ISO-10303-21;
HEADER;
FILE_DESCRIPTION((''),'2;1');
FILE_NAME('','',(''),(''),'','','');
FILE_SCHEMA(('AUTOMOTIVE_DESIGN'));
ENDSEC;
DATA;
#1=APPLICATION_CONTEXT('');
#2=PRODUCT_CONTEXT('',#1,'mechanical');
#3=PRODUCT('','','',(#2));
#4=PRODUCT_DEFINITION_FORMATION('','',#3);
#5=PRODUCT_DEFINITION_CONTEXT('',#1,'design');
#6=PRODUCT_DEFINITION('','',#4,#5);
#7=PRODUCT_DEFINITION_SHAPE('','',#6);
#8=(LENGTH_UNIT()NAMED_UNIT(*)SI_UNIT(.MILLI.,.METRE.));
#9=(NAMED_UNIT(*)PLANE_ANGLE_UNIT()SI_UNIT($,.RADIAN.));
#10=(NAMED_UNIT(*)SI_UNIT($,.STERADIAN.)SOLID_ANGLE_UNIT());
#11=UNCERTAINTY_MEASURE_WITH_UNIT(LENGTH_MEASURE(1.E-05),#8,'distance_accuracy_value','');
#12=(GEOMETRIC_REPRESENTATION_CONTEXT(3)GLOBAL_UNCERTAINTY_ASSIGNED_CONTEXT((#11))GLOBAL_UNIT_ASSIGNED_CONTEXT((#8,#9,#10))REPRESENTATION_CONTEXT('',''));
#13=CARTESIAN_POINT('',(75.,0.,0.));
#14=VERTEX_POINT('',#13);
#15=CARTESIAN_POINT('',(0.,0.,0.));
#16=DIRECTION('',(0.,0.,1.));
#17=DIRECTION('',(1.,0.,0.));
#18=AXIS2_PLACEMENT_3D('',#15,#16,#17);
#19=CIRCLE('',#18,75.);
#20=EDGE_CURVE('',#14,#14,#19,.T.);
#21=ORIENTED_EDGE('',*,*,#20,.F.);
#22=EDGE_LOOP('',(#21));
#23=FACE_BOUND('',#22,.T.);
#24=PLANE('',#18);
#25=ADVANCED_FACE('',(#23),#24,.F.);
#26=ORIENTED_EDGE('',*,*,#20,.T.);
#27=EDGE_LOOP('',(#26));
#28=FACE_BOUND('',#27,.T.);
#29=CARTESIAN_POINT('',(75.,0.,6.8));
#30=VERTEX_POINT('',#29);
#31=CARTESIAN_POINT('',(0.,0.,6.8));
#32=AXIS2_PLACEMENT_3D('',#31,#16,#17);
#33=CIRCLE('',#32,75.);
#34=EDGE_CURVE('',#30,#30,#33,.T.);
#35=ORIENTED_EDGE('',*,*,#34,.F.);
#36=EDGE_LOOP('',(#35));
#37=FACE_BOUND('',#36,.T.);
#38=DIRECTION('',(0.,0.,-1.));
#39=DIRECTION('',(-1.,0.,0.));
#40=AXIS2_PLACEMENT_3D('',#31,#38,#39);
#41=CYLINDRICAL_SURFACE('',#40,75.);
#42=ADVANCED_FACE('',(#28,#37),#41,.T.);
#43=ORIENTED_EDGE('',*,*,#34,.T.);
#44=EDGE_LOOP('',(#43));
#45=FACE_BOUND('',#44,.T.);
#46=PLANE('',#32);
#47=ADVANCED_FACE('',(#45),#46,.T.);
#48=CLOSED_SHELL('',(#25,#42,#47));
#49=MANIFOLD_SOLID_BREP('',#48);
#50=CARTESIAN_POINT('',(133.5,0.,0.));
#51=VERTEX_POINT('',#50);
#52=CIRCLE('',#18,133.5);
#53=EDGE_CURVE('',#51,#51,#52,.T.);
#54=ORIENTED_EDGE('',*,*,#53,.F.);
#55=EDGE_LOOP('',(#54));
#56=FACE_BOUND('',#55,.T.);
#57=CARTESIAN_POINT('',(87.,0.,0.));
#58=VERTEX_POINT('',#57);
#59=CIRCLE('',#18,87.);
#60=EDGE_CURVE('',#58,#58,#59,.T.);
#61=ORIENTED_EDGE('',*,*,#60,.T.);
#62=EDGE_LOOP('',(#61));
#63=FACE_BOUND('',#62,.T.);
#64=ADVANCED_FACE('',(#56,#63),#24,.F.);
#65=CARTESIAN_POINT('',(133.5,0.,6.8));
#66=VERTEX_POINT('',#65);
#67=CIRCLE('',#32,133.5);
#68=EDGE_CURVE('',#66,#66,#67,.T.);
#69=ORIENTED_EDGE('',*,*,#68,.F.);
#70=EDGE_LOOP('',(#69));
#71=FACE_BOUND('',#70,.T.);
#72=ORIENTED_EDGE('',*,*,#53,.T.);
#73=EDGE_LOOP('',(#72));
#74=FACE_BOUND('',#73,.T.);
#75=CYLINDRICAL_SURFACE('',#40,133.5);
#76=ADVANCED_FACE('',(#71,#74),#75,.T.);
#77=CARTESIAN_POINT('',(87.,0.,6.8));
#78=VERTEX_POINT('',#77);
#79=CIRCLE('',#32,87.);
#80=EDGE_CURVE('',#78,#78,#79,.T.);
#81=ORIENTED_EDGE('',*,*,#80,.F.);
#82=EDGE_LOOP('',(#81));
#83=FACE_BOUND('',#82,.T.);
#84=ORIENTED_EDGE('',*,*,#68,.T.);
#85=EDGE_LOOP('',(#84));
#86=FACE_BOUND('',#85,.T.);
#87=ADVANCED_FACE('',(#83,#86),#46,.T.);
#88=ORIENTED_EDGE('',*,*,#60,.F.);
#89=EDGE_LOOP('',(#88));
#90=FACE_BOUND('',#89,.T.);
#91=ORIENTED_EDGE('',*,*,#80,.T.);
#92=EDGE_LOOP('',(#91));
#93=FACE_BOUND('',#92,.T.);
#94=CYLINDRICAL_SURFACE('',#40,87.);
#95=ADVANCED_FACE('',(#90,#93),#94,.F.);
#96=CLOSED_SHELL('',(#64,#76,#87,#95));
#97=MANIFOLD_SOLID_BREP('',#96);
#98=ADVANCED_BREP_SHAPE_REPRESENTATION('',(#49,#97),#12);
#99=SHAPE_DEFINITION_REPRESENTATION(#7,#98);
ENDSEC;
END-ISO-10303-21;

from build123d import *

# Parameters (mm, degrees)
SKETCH1_R           = 75
BOSS_EXTRUDE1_DEPTH = 6.8
SKETCH1_4_R         = 133.5
SKETCH1_4_R_2       = 87
BOSS_EXTRUDE2_DEPTH = 6.8


with BuildPart() as part:
    # Sketch1 → Boss-Extrude1 (new body)
    with BuildSketch(Plane.XY):
        Circle(SKETCH1_R)
    extrude(amount=BOSS_EXTRUDE1_DEPTH)


with BuildPart() as body_2:
    # Sketch1<4> → Boss-Extrude2 (new body)
    with BuildSketch(Plane.XY):
        Circle(SKETCH1_4_R)
        Circle(SKETCH1_4_R_2, mode=Mode.SUBTRACT)
    extrude(amount=BOSS_EXTRUDE2_DEPTH)


solid = Compound([part.part, body_2.part])
